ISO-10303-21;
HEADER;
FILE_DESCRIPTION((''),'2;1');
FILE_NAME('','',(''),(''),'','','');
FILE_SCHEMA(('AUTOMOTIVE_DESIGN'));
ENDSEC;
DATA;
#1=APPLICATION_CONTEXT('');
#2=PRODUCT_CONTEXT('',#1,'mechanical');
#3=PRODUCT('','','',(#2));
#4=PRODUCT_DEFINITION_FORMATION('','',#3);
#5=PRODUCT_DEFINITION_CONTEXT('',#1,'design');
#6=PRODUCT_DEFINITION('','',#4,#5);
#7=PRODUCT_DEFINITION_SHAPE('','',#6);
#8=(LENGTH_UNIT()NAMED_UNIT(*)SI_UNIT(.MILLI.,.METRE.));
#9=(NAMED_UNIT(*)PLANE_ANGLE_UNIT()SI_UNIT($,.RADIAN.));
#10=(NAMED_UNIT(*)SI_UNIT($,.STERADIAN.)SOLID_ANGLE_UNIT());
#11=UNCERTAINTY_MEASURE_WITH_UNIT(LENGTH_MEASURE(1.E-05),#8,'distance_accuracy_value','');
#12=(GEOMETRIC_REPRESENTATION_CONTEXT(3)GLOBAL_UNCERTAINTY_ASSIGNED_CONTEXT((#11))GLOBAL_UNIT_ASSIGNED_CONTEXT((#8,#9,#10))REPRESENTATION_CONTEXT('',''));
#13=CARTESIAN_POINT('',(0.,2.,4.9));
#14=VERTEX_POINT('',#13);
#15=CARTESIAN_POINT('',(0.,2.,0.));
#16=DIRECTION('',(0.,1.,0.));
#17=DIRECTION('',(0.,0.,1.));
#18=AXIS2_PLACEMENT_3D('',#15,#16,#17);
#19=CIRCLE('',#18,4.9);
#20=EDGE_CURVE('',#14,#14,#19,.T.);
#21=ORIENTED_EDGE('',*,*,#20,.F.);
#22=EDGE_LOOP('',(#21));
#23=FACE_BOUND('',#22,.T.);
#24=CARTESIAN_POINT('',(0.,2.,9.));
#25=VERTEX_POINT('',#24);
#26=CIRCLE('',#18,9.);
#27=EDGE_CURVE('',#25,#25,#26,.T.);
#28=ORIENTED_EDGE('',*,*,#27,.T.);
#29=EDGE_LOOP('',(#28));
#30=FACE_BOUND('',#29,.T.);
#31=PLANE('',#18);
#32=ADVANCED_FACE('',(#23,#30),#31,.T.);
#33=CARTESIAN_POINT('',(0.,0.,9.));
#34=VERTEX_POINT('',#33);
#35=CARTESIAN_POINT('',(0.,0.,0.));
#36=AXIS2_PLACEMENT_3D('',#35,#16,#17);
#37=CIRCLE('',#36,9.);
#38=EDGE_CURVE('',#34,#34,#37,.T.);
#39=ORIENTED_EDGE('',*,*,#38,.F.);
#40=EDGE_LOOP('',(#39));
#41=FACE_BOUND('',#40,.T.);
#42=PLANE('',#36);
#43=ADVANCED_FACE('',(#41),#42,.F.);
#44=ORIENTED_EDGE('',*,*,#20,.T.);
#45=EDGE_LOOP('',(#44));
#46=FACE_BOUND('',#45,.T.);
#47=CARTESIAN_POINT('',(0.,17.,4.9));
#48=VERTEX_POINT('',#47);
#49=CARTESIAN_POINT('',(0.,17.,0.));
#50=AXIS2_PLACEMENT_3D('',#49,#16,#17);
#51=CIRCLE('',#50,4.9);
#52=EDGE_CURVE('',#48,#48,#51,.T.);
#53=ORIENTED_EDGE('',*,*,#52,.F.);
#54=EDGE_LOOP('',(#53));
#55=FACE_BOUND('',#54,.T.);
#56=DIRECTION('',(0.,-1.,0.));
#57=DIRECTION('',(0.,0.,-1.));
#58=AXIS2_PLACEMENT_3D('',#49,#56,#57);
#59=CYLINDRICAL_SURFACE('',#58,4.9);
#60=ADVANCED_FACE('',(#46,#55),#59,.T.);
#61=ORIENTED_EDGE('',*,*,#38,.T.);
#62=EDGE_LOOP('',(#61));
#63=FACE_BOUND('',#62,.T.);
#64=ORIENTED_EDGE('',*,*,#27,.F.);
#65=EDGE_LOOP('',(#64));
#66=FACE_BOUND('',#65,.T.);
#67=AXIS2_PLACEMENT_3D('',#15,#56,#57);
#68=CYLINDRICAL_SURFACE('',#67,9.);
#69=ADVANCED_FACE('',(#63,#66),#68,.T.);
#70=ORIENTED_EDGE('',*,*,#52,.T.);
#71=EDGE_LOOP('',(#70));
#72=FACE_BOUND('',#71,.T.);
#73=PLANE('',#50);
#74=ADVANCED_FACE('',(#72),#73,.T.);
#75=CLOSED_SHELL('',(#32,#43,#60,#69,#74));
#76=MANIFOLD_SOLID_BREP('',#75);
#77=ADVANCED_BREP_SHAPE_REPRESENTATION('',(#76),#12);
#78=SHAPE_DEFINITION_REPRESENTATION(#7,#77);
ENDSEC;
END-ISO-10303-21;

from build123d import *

# Parameters (mm, degrees)
SKICA1_R                = 9
P_IDAT_VYSUNUT_M1_DEPTH = 2
SKICA2_R                = 4.9
P_IDAT_VYSUNUT_M2_DEPTH = 15


with BuildPart() as part:
    # Skica1 → Přidat vysunutím1 (new body)
    with BuildSketch(Plane(origin=(0, 0, 0), x_dir=(1, 0, 0), z_dir=(0, 1, 0))):
        Circle(SKICA1_R)
    extrude(amount=P_IDAT_VYSUNUT_M1_DEPTH)

    # Skica2 → Přidat vysunutím2 (add)
    with BuildSketch(Plane(origin=(0, 2, 0), x_dir=(1, 0, 0), z_dir=(0, 1, 0))):
        Circle(SKICA2_R)
    extrude(amount=P_IDAT_VYSUNUT_M2_DEPTH)


solid = part.part
